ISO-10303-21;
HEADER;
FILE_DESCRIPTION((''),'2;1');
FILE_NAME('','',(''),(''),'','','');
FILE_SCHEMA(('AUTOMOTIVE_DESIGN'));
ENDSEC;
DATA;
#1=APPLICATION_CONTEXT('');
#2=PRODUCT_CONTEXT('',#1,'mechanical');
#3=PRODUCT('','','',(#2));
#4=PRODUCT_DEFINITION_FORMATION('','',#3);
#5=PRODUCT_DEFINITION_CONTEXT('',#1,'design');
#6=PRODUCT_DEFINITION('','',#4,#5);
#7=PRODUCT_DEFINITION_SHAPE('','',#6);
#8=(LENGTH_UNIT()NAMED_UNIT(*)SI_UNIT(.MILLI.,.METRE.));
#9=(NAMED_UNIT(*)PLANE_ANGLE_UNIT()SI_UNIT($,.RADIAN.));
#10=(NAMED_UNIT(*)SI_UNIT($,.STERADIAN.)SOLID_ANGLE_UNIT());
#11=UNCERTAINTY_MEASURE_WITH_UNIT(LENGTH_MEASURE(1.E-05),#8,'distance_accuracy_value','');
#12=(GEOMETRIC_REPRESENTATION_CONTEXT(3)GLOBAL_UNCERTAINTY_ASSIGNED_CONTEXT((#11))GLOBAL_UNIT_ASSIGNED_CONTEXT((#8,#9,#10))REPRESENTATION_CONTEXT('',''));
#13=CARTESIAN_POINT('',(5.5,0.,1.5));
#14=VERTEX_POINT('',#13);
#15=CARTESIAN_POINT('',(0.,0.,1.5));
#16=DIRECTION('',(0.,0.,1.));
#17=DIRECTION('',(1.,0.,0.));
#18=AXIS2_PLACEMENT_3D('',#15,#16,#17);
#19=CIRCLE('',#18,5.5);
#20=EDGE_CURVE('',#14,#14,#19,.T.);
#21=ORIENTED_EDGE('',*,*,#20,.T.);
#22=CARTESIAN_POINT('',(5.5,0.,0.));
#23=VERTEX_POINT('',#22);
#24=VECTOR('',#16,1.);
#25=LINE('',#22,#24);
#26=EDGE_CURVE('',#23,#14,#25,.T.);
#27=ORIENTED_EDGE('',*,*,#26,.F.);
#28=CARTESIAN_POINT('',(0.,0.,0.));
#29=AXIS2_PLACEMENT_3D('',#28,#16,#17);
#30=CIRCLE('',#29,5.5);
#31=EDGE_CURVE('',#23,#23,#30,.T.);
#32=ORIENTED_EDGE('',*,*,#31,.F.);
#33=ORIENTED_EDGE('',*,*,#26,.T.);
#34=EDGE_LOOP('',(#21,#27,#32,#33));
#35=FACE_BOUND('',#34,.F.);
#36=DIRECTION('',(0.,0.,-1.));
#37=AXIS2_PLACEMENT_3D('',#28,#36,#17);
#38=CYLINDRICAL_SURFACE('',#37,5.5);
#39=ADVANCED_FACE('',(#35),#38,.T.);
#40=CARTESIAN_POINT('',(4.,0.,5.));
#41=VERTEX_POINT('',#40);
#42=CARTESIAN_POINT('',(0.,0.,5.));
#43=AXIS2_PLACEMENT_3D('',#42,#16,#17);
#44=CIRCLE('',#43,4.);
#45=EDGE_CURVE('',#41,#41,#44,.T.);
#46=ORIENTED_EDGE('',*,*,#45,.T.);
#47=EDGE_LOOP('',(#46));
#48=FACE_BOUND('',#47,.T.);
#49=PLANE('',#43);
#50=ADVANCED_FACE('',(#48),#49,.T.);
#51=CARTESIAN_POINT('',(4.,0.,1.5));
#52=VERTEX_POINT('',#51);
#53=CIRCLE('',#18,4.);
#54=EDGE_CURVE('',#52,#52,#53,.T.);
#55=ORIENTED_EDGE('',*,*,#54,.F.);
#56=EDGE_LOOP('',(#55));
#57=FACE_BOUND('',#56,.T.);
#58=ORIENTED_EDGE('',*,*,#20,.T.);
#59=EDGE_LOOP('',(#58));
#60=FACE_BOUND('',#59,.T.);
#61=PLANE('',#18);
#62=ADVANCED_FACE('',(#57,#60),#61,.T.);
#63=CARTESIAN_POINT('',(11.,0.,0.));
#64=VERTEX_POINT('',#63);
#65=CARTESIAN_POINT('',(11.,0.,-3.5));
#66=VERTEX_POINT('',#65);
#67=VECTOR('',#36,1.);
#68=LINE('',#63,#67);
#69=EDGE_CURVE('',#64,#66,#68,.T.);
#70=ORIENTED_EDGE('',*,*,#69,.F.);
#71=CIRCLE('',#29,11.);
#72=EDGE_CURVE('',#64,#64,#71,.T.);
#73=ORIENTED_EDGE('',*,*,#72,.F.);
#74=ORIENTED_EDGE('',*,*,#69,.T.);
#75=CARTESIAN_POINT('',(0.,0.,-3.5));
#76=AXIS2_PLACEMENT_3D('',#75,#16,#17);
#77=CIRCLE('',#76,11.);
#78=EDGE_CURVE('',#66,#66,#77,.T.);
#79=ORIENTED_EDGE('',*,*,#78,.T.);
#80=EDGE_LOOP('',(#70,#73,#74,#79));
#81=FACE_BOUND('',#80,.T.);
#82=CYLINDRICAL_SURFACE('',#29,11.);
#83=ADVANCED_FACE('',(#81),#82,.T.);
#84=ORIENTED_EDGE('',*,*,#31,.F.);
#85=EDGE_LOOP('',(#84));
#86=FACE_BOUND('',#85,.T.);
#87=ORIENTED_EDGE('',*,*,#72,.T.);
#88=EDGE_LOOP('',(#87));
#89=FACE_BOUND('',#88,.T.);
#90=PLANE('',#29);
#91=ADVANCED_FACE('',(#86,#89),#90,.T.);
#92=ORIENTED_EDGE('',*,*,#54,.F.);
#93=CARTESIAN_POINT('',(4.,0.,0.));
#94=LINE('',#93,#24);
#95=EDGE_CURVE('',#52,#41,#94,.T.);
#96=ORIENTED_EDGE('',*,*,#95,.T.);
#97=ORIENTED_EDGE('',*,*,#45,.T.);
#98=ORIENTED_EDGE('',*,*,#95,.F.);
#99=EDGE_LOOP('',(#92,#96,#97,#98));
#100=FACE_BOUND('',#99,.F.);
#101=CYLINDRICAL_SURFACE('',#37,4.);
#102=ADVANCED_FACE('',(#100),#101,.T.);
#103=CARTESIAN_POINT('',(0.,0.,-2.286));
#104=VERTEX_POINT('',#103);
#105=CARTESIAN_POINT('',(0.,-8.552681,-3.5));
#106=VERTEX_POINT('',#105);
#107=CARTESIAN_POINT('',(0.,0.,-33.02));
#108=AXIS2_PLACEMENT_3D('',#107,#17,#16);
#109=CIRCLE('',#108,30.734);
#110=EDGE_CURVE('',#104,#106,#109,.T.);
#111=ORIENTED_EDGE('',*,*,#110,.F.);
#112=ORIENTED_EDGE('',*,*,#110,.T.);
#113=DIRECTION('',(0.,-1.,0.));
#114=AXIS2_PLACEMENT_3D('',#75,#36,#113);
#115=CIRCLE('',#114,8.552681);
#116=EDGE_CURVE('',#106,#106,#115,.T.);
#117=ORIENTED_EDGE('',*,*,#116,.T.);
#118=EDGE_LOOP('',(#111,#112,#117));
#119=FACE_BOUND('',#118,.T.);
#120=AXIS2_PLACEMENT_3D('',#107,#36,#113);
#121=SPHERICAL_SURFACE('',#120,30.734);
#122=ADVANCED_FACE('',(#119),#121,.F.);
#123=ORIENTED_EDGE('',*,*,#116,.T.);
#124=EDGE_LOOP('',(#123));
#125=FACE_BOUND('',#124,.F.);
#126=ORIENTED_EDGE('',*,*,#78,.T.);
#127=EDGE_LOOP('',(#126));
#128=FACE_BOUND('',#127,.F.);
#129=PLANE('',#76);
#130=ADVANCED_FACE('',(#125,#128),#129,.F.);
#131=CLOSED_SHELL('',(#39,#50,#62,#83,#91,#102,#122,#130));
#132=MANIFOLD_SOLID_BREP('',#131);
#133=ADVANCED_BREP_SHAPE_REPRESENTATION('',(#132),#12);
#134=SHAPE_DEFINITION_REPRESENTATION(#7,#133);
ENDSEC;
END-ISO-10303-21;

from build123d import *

# Parameters (mm, degrees)
F0_R     = 4
F1_DEPTH = 5
F0_R_2   = 11
F0_R_3   = 5.5
F2_DEPTH = 3.5
F5_DEPTH = 1.5


with BuildPart() as f1:
    # F0 (on Top) → F1 (new body)
    with BuildSketch(Plane.XY):
        Circle(F0_R)
    extrude(amount=F1_DEPTH)

    # F0 (on Top) → F2 (join)
    with BuildSketch(Plane.XY):
        Circle(F0_R_2)
        Circle(F0_R_3, mode=Mode.SUBTRACT)
        Circle(F0_R_3)
        Circle(F0_R, mode=Mode.SUBTRACT)
        Circle(F0_R)
    extrude(amount=-F2_DEPTH)

    # F3 (on Right) → F4 (revolve, cut)
    with BuildSketch(Plane.YZ):
        with BuildLine():
            Line((0, -33.02), (0, -2.286))
            ThreePointArc((0, -2.286), (-30.734, -33.02), (0, -63.754))
            Line((0, -63.754), (0, -33.02))
        make_face()
    revolve(axis=Axis((0, 0, -16.51), (0, 0, 1)), mode=Mode.SUBTRACT)

    # F0 (on Top) → F5 (join)
    with BuildSketch(Plane.XY):
        Circle(F0_R_3)
        Circle(F0_R, mode=Mode.SUBTRACT)
    extrude(amount=F5_DEPTH)


solid = f1.part
